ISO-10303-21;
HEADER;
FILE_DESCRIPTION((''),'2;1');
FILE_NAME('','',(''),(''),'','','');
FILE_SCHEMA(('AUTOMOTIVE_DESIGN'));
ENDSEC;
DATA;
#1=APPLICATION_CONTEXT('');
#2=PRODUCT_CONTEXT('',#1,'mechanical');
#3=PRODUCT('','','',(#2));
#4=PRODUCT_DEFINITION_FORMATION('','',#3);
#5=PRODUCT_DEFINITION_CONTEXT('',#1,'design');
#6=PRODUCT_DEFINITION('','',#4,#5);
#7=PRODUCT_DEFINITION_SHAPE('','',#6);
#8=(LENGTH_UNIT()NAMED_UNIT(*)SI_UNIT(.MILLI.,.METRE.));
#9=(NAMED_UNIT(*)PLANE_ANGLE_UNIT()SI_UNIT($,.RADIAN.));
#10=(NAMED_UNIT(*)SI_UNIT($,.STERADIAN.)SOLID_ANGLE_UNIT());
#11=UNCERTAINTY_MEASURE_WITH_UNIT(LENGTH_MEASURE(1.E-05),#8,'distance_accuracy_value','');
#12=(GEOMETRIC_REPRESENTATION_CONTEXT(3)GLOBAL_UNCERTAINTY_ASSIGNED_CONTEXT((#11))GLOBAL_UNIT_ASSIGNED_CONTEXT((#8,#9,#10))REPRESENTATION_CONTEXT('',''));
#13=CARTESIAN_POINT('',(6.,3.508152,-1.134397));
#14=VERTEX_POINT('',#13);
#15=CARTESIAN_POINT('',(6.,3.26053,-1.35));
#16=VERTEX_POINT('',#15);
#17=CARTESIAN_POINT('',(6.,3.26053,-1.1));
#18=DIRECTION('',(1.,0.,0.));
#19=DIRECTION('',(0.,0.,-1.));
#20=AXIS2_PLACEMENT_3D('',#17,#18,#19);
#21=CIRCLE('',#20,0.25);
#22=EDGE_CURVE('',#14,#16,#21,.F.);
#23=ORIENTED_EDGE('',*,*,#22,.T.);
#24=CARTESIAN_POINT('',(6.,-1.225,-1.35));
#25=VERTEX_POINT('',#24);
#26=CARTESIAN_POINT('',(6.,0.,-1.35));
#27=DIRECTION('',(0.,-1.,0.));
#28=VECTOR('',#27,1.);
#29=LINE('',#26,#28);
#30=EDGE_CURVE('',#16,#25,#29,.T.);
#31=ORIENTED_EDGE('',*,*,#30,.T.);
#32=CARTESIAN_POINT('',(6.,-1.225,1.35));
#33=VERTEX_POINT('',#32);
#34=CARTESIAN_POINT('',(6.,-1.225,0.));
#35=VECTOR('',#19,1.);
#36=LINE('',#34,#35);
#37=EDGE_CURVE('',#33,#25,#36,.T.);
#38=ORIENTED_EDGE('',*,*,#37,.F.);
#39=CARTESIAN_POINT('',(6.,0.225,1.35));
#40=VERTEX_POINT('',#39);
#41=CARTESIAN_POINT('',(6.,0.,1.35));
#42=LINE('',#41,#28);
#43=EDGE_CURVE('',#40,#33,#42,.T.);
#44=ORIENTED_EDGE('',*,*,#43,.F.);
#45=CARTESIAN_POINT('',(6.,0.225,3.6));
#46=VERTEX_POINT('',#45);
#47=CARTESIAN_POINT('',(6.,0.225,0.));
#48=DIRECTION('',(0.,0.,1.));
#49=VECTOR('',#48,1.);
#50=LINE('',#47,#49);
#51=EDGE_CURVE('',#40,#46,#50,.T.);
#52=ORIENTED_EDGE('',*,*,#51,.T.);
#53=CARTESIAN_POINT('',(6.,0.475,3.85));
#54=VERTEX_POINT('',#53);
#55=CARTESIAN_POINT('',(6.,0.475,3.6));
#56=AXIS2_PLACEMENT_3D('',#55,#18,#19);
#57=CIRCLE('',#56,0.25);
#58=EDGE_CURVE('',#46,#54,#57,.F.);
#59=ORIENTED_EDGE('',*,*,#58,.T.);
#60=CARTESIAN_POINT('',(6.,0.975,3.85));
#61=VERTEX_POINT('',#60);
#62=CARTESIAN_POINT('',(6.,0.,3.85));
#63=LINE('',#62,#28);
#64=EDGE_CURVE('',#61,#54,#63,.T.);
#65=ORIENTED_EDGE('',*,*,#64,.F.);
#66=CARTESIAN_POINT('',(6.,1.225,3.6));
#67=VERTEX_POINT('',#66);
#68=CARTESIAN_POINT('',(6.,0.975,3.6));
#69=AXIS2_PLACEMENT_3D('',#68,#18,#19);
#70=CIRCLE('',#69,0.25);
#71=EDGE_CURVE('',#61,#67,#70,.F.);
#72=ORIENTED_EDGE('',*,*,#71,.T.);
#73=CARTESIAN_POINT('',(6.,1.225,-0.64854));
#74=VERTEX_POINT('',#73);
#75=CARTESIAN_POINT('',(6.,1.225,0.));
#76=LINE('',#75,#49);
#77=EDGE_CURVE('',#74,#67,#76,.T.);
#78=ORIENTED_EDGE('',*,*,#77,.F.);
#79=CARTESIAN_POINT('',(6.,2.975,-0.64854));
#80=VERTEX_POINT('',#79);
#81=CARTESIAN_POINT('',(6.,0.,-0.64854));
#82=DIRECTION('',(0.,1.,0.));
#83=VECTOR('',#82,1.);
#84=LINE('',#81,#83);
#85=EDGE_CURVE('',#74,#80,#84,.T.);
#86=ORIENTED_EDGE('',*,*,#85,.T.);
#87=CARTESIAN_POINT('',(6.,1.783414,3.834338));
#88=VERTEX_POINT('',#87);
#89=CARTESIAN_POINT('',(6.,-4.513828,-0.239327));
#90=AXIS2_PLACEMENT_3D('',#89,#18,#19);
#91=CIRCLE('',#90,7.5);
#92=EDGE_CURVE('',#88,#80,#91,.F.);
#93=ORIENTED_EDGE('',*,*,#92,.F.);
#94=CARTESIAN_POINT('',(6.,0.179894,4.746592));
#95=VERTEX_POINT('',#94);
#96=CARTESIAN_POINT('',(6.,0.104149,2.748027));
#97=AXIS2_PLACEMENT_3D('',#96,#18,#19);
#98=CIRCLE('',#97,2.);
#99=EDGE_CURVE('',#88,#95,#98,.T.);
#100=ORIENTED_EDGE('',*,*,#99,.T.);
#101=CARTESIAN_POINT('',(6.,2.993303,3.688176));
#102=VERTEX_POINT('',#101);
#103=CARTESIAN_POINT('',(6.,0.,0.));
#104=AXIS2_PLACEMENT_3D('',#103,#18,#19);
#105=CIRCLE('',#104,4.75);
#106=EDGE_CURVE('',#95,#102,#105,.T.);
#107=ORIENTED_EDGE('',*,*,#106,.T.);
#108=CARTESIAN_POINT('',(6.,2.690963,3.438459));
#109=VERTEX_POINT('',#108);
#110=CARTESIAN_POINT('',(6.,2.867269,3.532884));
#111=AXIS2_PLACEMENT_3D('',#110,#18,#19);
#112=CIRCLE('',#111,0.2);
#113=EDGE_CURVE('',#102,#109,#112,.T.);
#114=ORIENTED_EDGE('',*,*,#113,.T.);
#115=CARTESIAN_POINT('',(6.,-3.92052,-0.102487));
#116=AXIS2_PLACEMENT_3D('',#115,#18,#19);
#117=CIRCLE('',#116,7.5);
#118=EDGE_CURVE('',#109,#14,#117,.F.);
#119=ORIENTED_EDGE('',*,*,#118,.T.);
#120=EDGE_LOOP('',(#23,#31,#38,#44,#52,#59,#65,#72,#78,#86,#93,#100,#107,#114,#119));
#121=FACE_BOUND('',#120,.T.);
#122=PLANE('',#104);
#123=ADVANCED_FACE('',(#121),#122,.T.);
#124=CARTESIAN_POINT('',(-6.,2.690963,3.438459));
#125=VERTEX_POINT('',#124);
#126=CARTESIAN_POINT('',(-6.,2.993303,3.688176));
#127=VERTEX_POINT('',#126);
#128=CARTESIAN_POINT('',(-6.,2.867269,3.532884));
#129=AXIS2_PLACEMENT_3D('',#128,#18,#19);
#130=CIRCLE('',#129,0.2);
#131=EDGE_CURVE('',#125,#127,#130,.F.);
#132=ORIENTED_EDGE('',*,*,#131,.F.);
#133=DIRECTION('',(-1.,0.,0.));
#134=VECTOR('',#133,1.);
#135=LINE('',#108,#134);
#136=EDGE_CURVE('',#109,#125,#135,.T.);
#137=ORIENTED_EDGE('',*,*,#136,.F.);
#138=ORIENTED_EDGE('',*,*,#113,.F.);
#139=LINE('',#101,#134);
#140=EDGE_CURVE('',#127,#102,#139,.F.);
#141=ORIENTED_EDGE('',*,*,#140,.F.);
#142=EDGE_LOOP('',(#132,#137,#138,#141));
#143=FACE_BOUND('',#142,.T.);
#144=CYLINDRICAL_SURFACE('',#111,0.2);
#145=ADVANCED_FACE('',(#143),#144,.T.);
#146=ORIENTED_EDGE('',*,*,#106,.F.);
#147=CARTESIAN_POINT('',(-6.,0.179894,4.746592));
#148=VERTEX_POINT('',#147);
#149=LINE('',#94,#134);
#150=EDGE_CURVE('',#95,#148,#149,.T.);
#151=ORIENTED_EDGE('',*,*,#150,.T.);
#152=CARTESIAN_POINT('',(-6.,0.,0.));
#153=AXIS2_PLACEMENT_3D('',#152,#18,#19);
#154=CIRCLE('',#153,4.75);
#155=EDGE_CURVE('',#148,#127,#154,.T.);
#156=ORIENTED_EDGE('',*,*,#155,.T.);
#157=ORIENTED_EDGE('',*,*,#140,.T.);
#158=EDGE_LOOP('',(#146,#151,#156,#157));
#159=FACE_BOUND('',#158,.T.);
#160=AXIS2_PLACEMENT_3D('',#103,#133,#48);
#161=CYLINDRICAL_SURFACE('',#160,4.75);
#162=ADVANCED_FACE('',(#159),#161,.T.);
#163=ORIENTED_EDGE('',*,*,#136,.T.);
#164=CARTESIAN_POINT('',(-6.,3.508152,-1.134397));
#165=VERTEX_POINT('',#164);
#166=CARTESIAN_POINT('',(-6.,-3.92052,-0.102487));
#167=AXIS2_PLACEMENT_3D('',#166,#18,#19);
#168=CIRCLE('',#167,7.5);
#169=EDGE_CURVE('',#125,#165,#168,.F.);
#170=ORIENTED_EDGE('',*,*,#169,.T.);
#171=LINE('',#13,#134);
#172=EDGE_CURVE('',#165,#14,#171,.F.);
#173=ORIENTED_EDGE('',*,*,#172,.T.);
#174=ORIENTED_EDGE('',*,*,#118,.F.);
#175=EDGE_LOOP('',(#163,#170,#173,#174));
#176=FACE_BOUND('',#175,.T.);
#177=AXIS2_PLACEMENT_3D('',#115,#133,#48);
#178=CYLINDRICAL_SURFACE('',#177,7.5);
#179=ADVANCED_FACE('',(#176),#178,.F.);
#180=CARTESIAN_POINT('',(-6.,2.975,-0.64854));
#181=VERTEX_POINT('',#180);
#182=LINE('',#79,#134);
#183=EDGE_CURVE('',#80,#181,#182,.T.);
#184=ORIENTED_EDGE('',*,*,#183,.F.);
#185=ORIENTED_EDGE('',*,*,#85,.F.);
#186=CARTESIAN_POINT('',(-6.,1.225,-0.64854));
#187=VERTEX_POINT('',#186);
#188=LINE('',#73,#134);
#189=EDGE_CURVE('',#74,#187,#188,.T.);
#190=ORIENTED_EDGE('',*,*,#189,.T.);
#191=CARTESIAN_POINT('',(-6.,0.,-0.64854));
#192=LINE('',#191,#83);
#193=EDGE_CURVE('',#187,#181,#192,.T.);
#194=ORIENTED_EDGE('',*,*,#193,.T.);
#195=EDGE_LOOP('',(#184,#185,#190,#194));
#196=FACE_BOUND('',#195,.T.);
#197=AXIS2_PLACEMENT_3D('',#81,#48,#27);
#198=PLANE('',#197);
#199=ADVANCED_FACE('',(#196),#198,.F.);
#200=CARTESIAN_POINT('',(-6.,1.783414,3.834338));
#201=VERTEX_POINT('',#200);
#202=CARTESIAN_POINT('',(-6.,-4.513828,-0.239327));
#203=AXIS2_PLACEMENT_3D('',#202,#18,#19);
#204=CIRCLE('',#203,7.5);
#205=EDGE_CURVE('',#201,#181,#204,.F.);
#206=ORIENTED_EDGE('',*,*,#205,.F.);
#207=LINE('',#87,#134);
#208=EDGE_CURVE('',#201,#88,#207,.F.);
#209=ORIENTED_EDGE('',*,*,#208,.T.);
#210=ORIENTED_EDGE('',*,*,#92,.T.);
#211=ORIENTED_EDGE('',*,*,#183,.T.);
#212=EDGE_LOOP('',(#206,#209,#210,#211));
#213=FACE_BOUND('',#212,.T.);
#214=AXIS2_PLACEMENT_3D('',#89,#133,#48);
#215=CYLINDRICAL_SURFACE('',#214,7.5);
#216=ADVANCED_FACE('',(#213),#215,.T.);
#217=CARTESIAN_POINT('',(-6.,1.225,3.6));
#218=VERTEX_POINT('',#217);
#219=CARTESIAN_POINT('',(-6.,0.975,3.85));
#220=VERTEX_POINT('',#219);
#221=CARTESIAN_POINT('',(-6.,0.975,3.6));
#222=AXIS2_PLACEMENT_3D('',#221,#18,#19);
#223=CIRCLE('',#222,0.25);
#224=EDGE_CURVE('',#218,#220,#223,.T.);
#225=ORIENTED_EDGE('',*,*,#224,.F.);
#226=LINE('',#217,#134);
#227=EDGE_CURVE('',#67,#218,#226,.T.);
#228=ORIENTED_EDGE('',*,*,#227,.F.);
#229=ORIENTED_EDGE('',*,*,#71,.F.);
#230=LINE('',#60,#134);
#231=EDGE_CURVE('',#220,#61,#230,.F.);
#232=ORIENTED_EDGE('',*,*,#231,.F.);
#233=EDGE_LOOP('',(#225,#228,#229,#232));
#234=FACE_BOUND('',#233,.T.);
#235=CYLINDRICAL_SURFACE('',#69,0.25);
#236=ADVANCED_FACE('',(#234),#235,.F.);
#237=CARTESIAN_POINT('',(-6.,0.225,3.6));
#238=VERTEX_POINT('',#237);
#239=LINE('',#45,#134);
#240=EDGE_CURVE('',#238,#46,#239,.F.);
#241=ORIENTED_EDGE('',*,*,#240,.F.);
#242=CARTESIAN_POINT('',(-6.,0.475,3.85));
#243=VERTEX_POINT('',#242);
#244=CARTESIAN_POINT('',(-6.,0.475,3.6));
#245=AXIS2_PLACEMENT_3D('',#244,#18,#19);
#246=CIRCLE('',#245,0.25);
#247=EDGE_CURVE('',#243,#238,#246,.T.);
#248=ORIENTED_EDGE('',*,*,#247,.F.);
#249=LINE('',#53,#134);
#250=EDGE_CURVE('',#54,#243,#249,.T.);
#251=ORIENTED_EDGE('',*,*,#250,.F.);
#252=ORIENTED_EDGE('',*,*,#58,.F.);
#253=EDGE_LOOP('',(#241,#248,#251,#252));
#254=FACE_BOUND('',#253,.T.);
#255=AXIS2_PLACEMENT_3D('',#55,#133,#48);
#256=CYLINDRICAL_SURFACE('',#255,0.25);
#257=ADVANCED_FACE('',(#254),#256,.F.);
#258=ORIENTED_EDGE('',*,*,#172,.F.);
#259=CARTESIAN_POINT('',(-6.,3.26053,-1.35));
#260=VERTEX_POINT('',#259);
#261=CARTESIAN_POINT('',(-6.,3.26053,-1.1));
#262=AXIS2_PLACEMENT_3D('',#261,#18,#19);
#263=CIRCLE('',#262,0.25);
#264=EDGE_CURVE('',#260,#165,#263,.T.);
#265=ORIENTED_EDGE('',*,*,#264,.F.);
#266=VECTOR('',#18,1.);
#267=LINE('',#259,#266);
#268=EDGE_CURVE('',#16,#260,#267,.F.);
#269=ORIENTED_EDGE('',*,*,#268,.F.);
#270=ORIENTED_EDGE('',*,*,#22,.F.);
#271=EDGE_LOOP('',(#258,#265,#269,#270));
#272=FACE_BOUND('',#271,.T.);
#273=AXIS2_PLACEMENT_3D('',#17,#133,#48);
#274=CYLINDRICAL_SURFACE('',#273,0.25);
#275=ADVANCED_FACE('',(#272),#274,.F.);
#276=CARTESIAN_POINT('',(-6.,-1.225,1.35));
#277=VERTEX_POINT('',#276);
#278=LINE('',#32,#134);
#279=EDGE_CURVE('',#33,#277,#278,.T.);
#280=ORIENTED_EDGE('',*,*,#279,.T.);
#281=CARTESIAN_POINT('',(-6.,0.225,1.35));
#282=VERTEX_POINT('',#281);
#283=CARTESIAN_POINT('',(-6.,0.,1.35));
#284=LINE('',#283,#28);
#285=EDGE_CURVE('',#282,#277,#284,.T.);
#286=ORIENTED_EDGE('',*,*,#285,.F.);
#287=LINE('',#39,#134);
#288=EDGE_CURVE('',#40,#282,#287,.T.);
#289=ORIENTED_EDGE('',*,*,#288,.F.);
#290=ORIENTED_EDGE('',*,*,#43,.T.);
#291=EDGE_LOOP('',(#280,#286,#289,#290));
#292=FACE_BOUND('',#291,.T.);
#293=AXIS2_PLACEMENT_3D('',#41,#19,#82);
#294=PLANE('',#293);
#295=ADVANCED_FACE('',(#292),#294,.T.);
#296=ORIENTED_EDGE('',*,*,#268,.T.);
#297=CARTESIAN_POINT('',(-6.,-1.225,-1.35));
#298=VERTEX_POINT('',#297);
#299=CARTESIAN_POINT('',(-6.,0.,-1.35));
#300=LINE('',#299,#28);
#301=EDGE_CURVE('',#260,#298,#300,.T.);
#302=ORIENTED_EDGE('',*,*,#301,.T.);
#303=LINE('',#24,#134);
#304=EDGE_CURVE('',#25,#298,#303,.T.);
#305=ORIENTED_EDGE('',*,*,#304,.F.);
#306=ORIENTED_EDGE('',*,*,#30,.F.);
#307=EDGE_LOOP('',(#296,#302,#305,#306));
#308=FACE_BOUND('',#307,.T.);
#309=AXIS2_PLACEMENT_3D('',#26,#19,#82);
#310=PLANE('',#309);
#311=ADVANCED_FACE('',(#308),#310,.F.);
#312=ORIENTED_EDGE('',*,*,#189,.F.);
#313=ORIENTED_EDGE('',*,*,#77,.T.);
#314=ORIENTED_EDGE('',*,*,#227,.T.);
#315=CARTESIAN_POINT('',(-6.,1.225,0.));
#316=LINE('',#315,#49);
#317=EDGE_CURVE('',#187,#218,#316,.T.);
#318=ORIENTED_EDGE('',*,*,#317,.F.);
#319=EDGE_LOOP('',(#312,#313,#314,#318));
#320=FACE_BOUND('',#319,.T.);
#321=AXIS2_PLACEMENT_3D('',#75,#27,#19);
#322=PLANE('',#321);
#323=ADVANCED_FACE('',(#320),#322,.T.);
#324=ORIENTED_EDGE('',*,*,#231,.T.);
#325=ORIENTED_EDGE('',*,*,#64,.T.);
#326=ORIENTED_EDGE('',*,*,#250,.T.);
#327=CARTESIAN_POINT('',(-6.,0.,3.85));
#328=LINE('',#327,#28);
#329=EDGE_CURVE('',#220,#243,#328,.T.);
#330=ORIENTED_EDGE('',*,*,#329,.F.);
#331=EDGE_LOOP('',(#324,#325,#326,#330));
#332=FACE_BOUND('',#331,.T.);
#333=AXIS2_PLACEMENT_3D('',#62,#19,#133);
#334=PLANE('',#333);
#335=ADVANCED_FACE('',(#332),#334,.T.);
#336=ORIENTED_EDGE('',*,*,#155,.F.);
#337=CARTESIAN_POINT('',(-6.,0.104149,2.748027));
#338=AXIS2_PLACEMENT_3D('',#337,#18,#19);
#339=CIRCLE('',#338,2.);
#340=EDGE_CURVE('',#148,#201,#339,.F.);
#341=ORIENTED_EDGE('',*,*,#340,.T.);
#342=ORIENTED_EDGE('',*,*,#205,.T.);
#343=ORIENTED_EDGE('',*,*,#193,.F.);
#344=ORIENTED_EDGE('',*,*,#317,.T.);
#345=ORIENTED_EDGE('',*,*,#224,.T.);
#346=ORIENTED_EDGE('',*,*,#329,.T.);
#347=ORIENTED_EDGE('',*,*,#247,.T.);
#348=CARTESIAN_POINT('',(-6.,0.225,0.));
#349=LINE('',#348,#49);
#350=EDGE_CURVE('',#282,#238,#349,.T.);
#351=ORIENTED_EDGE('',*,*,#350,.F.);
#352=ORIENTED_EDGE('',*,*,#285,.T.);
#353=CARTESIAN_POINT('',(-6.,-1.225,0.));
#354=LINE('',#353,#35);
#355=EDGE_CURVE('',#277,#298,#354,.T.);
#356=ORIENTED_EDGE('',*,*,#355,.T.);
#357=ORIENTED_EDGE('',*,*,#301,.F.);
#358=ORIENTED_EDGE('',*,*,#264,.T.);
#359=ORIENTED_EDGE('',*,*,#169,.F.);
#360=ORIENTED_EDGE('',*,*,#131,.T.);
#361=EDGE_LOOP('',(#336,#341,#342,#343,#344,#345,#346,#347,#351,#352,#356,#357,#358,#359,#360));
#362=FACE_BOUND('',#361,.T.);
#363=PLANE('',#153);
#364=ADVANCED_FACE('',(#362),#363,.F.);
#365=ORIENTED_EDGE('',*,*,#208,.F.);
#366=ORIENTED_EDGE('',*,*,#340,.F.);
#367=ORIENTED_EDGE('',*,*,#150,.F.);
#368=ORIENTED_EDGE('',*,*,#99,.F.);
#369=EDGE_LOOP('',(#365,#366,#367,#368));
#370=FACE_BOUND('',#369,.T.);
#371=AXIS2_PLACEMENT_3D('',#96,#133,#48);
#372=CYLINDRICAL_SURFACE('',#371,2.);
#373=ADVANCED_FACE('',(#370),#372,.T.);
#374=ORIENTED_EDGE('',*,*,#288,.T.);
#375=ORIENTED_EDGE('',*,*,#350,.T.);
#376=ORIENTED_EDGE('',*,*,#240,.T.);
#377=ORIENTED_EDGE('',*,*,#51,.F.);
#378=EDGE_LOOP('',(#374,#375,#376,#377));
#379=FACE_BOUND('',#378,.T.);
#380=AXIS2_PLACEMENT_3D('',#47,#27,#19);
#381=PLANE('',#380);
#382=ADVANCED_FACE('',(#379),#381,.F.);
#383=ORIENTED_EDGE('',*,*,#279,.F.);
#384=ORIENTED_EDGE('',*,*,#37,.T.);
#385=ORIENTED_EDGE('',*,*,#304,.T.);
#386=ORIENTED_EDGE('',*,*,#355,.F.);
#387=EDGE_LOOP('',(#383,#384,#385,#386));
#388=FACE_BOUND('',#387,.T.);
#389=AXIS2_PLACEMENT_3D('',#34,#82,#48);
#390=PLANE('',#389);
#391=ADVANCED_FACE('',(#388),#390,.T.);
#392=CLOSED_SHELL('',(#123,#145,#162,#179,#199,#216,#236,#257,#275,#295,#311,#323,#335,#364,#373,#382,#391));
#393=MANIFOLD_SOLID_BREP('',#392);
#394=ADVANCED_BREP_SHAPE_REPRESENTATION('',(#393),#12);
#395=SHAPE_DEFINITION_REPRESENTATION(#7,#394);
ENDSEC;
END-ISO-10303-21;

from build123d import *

# Parameters (mm, degrees)
BOSS_EXTRUDE2_DEPTH = 6
FILLET1_R           = 0.25
FILLET2_R           = 2
FILLET3_R           = 0.2


with BuildPart() as part:
    # Sketch1 → Boss-Extrude2 (new, symmetric)
    with BuildSketch(Plane(origin=(0, 0, 0), x_dir=(0, 0, -1), z_dir=(1, 0, 0))):
        with BuildLine():
            Line((-1.35, -1.225), (-1.35, 0.225))
            Line((-1.35, 0.225), (-3.85, 0.225))
            Line((-3.85, 0.225), (-3.85, 1.225))
            Line((-3.85, 1.225), (-1.35, 1.225))
            Line((-1.35, 1.225), (0.648540494, 1.225))
            Line((0.648540494, 1.225), (0.648540494, 2.975))
            ThreePointArc((0.648540494, 2.975), (-2.137325495, 2.599646629), (-4.589321845, 1.225))
            ThreePointArc((-4.589321845, 1.225), (-0.617746402, -4.709659158), (4.75, 0))
            ThreePointArc((4.75, 0), (1.146387884, 4.609587272), (-4.19665045, 2.225))
            ThreePointArc((-4.19665045, 2.225), (-1.546369522, 3.395986963), (1.35, 3.475))
            Line((1.35, 3.475), (1.35, 1.225))
            Line((1.35, 1.225), (1.35, -1.225))
            Line((1.35, -1.225), (-1.35, -1.225))
        make_face()
    extrude(amount=BOSS_EXTRUDE2_DEPTH, both=True)

    # Fillet1
    fillet1_edges = [part.edges().sort_by_distance(p)[0] for p in [
        (0, 1.225, 3.85),
        (0, 0.225, 3.85),
        (0, 3.475, -1.35),
    ]]
    fillet(fillet1_edges, radius=FILLET1_R)

    # Fillet2
    fillet2_edges = [part.edges().sort_by_distance(p)[0] for p in [
        (0, 1.225, 4.589321845),
    ]]
    fillet(fillet2_edges, radius=FILLET2_R)

    # Fillet3
    fillet3_edges = [part.edges().sort_by_distance(p)[0] for p in [
        (0, 2.225, 4.19665045),
    ]]
    fillet(fillet3_edges, radius=FILLET3_R)


solid = part.part
